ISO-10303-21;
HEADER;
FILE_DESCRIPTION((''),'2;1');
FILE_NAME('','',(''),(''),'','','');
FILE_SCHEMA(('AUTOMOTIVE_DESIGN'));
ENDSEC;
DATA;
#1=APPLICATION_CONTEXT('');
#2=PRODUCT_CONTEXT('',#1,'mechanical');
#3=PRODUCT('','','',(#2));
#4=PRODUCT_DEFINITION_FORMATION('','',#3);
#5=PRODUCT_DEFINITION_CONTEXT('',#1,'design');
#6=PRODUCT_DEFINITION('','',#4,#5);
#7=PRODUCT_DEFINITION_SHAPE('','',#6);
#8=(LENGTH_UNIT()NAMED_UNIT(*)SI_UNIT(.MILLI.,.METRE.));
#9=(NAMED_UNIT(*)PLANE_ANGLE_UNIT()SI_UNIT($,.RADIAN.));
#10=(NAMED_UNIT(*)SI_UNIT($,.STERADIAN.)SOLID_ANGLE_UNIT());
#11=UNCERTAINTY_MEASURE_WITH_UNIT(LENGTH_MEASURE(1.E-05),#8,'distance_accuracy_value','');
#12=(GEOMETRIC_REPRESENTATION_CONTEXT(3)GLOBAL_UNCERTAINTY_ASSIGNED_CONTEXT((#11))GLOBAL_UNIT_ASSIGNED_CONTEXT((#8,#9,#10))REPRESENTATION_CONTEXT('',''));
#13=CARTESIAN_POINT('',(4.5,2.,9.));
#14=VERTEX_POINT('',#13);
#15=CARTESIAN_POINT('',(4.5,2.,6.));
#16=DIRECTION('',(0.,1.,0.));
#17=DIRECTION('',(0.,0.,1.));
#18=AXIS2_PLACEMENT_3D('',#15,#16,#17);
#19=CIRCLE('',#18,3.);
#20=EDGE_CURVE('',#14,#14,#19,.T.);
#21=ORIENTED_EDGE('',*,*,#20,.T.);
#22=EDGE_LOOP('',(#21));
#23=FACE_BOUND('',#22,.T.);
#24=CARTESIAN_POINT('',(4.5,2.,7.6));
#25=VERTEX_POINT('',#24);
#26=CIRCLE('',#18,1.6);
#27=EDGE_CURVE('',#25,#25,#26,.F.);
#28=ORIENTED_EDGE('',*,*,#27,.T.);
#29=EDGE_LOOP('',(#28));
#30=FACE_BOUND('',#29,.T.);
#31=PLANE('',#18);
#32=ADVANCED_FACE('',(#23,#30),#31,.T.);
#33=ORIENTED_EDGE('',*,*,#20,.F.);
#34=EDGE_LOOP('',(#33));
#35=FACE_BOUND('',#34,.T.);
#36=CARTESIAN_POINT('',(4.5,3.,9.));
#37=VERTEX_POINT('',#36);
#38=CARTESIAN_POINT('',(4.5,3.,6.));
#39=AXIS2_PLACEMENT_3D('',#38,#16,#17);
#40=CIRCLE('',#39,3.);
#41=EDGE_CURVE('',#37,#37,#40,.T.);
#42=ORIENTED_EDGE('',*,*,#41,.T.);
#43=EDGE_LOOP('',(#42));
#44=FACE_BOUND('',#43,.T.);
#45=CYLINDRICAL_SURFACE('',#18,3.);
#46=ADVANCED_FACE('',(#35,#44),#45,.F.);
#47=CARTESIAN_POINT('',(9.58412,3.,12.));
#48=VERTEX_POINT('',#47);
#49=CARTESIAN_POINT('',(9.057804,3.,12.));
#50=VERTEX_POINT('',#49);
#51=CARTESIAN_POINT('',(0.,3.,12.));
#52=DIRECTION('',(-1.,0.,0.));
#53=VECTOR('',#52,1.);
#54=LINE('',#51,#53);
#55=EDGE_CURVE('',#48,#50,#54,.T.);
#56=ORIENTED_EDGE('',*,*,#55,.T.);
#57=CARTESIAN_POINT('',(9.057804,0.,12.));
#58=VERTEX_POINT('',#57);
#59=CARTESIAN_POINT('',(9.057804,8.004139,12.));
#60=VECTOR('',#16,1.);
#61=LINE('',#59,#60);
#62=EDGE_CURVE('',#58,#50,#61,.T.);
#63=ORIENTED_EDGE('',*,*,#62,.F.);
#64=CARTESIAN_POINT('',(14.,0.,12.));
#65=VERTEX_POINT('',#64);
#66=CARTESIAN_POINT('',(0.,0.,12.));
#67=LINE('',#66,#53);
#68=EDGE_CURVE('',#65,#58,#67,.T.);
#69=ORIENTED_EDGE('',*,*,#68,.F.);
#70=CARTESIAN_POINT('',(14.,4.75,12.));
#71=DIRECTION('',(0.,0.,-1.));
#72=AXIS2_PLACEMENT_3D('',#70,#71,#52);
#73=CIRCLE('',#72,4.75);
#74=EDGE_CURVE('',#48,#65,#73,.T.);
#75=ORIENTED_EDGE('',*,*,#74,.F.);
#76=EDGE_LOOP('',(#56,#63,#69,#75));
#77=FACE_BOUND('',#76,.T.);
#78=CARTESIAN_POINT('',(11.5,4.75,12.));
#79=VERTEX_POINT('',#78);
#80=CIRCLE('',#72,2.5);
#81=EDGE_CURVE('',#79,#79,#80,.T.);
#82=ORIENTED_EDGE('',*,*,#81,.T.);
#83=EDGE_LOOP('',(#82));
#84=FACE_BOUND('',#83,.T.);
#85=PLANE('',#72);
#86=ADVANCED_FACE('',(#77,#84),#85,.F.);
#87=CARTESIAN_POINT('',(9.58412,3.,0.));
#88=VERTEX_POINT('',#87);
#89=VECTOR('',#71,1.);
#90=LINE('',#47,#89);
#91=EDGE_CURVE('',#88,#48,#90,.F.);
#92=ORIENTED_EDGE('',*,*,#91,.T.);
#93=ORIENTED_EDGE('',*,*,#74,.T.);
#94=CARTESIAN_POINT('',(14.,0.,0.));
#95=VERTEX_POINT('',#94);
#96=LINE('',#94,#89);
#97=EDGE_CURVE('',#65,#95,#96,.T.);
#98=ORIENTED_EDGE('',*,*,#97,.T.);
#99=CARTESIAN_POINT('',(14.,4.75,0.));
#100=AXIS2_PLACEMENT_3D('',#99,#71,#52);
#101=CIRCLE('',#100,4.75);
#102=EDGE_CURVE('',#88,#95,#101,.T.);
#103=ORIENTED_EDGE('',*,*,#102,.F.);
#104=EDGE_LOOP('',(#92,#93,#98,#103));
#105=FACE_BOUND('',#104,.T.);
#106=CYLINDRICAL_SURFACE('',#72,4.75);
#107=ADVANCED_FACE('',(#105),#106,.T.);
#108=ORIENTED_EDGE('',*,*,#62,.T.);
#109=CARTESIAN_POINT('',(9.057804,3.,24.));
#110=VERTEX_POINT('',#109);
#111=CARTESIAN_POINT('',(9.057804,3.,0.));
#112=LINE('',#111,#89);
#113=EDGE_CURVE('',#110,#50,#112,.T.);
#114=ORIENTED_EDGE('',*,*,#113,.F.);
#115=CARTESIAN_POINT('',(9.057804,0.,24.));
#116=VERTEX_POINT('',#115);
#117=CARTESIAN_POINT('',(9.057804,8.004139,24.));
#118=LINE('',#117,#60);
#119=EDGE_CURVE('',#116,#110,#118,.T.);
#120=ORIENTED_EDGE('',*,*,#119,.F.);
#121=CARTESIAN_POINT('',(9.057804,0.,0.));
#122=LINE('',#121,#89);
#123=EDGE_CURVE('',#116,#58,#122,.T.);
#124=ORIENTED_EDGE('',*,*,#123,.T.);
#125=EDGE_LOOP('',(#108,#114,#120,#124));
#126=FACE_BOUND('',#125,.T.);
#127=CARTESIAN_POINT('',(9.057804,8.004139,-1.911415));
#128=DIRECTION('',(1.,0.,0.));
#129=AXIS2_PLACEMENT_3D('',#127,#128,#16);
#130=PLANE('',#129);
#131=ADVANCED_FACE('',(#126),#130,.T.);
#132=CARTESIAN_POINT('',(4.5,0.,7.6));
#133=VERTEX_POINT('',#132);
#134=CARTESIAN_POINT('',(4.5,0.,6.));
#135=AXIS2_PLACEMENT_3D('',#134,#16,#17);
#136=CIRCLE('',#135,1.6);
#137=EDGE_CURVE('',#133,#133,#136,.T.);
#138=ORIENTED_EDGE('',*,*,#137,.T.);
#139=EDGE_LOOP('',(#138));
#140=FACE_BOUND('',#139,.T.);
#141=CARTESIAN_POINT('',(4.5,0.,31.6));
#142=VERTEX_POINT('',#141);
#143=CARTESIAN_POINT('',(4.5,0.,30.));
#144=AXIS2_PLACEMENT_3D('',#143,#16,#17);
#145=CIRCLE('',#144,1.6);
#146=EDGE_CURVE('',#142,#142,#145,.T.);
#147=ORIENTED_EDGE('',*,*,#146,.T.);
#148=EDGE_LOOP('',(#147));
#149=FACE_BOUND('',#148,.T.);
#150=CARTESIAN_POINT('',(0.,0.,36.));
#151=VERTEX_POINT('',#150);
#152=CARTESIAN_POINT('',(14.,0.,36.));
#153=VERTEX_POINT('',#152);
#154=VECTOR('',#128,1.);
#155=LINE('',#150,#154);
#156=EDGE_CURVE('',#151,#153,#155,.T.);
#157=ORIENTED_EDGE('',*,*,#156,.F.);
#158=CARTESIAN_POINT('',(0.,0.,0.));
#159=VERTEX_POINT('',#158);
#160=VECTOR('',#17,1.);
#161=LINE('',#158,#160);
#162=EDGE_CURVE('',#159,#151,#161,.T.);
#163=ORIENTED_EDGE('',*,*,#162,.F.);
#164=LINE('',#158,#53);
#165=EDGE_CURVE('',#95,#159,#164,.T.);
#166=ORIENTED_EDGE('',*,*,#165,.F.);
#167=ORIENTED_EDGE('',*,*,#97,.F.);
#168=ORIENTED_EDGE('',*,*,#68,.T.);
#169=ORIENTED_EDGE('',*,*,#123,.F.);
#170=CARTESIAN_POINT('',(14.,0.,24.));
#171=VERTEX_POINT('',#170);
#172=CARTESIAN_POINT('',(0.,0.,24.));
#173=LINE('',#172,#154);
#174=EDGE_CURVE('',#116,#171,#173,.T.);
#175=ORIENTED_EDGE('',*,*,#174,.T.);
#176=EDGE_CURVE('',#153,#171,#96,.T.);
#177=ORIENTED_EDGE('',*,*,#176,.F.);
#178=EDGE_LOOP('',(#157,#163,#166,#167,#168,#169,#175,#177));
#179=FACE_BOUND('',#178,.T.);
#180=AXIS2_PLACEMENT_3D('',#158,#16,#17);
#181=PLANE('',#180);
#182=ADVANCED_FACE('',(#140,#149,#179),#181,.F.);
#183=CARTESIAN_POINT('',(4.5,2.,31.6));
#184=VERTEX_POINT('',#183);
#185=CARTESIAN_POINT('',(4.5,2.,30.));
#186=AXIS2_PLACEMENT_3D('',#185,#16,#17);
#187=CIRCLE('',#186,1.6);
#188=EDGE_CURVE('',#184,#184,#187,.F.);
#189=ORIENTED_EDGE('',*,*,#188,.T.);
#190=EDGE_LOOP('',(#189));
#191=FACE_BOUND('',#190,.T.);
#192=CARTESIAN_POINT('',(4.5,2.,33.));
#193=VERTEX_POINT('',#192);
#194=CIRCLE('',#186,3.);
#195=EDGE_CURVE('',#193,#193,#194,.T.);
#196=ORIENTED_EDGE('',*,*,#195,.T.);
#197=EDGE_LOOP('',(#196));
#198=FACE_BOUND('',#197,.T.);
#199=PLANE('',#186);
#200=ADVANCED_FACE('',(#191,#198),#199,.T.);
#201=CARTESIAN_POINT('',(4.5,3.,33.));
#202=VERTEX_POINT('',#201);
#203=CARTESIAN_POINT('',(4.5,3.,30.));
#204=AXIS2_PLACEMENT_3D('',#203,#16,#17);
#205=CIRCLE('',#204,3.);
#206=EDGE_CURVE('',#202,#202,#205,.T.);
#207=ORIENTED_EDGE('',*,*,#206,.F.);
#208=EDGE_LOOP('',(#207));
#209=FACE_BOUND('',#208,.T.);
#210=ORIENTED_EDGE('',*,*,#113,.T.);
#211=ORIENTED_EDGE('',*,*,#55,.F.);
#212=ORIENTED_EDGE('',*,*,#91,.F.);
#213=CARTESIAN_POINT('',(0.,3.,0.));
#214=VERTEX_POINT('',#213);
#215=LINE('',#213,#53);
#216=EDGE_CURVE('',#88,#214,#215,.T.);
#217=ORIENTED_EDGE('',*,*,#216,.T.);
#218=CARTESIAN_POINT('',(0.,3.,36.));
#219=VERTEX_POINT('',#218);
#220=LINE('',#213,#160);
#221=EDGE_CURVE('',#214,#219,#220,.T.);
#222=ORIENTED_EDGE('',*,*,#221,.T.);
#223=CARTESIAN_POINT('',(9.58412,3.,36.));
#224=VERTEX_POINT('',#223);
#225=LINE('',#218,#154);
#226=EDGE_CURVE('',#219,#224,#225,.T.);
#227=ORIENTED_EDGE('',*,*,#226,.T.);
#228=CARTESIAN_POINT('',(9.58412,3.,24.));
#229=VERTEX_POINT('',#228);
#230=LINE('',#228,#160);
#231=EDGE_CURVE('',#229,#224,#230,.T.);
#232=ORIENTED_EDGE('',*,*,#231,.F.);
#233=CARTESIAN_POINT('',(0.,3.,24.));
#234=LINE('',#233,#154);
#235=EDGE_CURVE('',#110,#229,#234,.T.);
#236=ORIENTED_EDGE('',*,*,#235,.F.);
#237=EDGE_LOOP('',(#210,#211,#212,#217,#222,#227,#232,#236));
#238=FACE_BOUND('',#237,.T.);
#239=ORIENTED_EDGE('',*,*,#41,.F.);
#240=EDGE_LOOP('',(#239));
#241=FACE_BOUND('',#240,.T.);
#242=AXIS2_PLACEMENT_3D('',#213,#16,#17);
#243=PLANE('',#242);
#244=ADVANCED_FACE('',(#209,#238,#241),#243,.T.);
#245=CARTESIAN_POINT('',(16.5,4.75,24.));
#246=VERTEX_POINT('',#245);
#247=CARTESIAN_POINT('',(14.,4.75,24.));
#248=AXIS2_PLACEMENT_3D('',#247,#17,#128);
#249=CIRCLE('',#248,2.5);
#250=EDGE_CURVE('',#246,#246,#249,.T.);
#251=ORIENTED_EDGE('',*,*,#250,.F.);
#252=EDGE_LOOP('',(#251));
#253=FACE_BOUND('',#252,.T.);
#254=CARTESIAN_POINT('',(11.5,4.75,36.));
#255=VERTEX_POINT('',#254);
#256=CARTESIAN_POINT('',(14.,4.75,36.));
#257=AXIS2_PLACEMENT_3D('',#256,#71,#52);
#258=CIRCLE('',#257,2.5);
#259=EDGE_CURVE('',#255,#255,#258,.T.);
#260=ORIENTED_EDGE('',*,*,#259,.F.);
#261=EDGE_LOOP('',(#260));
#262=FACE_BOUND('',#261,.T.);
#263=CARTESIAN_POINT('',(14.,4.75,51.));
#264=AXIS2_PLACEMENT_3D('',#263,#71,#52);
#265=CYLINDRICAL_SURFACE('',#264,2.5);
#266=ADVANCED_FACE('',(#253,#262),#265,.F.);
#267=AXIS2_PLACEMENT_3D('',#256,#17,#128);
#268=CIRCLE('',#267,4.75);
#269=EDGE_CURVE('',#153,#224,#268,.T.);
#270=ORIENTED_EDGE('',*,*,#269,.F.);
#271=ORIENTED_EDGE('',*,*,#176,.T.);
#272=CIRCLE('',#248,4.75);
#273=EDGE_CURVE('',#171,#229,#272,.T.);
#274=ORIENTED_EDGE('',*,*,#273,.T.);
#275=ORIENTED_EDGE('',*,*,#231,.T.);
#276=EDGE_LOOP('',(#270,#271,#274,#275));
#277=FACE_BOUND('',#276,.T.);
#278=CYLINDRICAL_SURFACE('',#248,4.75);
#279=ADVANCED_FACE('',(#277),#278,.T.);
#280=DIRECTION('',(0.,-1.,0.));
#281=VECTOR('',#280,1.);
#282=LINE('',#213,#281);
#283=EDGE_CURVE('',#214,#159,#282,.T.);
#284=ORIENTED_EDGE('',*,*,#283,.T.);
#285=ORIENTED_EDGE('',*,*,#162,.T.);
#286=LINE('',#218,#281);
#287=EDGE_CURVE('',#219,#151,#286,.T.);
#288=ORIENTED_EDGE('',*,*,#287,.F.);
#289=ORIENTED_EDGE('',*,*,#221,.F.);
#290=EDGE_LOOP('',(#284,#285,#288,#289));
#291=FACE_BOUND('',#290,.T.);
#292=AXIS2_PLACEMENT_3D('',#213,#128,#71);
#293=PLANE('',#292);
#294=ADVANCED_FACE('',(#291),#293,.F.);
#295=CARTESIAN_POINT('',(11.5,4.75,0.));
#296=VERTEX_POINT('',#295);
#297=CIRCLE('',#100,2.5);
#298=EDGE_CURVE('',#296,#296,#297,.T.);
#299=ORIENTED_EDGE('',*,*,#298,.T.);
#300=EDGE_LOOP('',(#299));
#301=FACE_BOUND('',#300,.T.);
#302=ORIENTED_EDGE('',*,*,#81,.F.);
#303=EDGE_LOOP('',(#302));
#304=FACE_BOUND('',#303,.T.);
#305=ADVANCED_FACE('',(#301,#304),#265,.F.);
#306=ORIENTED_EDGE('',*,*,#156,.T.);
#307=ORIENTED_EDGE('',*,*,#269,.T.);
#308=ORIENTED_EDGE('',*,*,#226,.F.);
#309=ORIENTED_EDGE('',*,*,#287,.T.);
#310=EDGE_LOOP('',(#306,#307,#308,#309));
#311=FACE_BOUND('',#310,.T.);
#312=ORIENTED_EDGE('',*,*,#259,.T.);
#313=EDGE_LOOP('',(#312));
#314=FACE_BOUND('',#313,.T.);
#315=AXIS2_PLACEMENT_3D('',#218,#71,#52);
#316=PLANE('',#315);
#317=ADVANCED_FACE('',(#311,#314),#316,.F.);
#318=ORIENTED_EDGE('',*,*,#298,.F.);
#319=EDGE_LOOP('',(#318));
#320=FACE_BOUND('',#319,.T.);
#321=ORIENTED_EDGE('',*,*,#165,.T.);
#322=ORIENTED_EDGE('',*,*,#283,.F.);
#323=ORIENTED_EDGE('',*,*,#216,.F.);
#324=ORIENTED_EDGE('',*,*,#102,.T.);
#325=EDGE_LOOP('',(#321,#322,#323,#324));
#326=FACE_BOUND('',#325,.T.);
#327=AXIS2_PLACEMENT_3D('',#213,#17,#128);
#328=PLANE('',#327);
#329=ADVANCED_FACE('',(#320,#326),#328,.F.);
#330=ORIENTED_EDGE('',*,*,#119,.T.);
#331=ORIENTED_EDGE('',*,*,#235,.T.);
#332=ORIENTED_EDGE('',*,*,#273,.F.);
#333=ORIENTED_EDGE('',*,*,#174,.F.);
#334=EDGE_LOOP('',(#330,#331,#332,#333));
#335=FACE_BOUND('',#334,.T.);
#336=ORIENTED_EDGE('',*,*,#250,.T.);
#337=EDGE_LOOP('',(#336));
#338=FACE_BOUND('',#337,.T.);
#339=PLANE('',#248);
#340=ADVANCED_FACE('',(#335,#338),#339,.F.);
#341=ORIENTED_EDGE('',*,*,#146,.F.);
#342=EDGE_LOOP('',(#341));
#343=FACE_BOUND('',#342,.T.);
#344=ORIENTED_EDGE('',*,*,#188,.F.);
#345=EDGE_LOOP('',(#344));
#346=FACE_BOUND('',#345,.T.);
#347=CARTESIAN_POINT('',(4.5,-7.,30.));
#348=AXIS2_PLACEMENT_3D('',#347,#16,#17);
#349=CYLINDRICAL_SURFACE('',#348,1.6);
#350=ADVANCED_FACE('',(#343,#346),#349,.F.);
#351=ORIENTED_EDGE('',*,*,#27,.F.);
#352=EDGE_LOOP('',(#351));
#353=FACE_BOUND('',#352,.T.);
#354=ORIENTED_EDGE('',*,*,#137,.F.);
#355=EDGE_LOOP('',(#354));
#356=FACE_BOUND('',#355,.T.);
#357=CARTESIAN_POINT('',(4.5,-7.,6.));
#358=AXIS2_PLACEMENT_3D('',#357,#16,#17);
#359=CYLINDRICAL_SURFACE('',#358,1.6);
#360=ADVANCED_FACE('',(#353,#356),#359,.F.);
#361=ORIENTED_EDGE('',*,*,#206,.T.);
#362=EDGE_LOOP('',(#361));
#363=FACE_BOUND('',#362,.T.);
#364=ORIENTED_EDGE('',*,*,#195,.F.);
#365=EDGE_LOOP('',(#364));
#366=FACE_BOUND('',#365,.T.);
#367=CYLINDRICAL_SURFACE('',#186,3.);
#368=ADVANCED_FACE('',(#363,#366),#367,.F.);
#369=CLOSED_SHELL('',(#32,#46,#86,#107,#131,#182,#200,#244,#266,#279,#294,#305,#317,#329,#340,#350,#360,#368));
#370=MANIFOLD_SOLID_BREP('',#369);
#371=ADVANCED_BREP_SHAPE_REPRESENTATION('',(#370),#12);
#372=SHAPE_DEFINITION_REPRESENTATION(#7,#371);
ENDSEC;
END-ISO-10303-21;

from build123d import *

# Parameters (mm, degrees)
SKETCH_1_W          = 14
SKETCH_1_H          = 36
EXTRUDE_1_DEPTH     = 3
SKETCH_2_R          = 4.75
EXTRUDE_2_DEPTH     = 12
EXTRUDE_START       = -12
SKETCH_3_R          = 4.75
EXTRUDE_3_DEPTH     = 12
SKETCH_4_R          = 2.5
CUT_EXTRUDE_1_DEPTH = 51
SKETCH_5_W          = 8.893722196
SKETCH_5_H          = 10.697157082
CUT_EXTRUDE_2_DEPTH = 12
SKETCH_6_R          = 1.6
CUT_EXTRUDE_3_DEPTH = 10
SKETCH_7_R          = 3
CUT_EXTRUDE_4_DEPTH = 1


with BuildPart() as part:
    # 草图1 → 凸台-拉伸1 (new body)
    with BuildSketch(Plane(origin=(0, 0, 0), x_dir=(1, 0, 0), z_dir=(0, 1, 0))):
        with Locations((7, -18)):
            Rectangle(SKETCH_1_W, SKETCH_1_H)
    extrude(amount=EXTRUDE_1_DEPTH)

    # 草图2 → 凸台-拉伸2 (add)
    with BuildSketch(Plane(origin=(0, 0, 0), x_dir=(-1, 0, 0), z_dir=(0, 0, -1))):
        with Locations((-14, 4.75)):
            Circle(SKETCH_2_R)
    extrude(amount=-EXTRUDE_2_DEPTH)

    # 草图3 → 凸台-拉伸3 (add)
    with BuildSketch(Plane.XY.offset(36).offset(EXTRUDE_START)):
        with Locations((14, 4.75)):
            Circle(SKETCH_3_R)
    extrude(amount=EXTRUDE_3_DEPTH)

    # 草图4 → 切除-拉伸1 (cut)
    with BuildSketch(Plane(origin=(0, 0, 0), x_dir=(-1, 0, 0), z_dir=(0, 0, -1))):
        with Locations((-14, 4.75)):
            Circle(SKETCH_4_R)
    extrude(amount=-CUT_EXTRUDE_1_DEPTH, mode=Mode.SUBTRACT)

    # 草图5 → 切除-拉伸2 (cut)
    with BuildSketch(Plane(origin=(0, 0, 24), x_dir=(-1, 0, 0), z_dir=(0, 0, -1))):
        with Locations((-13.504665101, 2.655560542)):
            Rectangle(SKETCH_5_W, SKETCH_5_H)
    extrude(amount=CUT_EXTRUDE_2_DEPTH, mode=Mode.SUBTRACT)

    # 草图6 → 切除-拉伸3 (cut)
    with BuildSketch(Plane(origin=(0, 3, 0), x_dir=(1, 0, 0), z_dir=(0, 1, 0))):
        with Locations(Location((4.5, -6, 0), (0, 0, 270))):
            Circle(SKETCH_6_R)
        with Locations(Location((4.5, -30, 0), (0, 0, 270))):
            Circle(SKETCH_6_R)
    extrude(amount=-CUT_EXTRUDE_3_DEPTH, mode=Mode.SUBTRACT)

    # 草图7 → 切除-拉伸4 (cut)
    with BuildSketch(Plane(origin=(0, 3, 0), x_dir=(1, 0, 0), z_dir=(0, 1, 0))):
        with Locations(Location((4.5, -6, 0), (0, 0, 270))):
            Circle(SKETCH_7_R)
        with Locations(Location((4.5, -30, 0), (0, 0, 270))):
            Circle(SKETCH_7_R)
    extrude(amount=-CUT_EXTRUDE_4_DEPTH, mode=Mode.SUBTRACT)


solid = part.part
